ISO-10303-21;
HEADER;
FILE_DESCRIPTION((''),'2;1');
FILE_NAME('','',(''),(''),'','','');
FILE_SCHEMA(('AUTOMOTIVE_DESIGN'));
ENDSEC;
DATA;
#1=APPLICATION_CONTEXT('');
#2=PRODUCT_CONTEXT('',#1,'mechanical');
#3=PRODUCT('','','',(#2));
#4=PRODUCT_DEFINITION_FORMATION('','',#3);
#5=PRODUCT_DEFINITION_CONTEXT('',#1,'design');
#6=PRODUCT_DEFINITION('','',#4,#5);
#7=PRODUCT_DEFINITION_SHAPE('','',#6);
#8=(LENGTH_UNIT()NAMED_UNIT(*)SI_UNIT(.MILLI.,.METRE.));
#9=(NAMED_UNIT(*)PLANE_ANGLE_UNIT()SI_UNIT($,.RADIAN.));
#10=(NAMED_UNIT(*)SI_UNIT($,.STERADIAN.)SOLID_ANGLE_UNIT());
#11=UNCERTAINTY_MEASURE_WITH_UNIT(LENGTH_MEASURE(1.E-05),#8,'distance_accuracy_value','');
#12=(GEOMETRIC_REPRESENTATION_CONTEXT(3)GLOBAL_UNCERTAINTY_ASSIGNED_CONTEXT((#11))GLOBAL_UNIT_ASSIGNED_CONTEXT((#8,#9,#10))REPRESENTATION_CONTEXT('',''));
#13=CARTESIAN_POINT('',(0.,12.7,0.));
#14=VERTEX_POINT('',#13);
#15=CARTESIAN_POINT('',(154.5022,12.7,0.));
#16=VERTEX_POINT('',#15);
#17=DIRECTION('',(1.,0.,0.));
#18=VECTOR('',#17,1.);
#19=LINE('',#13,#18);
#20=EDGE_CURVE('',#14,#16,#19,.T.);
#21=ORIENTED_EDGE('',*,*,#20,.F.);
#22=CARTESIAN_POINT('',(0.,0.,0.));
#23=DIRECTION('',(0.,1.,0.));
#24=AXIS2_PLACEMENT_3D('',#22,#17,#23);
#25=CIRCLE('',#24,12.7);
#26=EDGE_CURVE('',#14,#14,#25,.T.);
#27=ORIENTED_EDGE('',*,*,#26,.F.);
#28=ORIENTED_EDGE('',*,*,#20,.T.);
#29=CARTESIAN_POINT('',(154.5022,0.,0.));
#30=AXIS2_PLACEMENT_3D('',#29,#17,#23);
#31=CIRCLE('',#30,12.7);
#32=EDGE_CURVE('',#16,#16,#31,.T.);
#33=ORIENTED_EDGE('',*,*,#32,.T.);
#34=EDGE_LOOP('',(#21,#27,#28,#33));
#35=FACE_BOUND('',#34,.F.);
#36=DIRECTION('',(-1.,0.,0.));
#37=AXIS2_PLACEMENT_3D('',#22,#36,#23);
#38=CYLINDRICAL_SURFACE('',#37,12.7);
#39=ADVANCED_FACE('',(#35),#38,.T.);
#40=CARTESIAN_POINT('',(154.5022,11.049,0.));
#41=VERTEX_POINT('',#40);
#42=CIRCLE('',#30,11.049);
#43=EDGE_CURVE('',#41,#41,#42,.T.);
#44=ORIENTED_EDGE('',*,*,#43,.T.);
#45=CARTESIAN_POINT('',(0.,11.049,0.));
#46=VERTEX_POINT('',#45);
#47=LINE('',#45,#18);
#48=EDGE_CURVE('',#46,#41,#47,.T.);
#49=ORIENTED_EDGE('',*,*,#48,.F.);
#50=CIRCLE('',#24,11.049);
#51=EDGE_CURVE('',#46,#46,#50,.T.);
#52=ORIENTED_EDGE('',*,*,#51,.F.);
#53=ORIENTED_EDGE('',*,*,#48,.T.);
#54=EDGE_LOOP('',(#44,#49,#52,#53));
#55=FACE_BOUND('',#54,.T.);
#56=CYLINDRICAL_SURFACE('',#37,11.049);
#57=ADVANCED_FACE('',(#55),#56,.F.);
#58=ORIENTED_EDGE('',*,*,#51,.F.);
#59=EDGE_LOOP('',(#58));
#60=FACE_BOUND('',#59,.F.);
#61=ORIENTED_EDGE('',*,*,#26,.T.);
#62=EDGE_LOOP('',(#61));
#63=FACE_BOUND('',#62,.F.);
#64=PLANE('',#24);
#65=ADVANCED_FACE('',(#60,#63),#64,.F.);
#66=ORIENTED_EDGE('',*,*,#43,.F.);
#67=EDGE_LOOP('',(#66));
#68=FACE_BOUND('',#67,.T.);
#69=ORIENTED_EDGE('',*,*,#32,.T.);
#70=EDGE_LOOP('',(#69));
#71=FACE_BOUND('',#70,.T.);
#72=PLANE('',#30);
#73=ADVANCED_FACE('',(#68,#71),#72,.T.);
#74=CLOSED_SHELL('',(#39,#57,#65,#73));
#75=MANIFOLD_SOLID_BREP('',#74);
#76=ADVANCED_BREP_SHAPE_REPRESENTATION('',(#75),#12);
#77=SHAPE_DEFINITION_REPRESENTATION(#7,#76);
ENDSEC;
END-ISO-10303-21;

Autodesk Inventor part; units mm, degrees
ref_plane "XZ Plane" through (0, 0, 0) normal (0, 1, 0) x (-1, 0, 0)
ref_plane "Start Plane" through (0, 0, 0) normal (1, 0, 0) x (0, 1, 0)
ref_plane "End Plane" through (154.5022, 0, 0) normal (1, 0, 0) x (0, 1, 0)
sketch "Sketch" plane through (0, 0, 0) normal (1, 0, 0) x (0, 1, 0)
  circle A0 centre (0, 0) radius 12.7
  circle A1 centre (0, 0) radius 11.049
  dimension "d0" = 25.4
  dimension "d1" = 1.651
extrude "Body" add sketch "Sketch" along normal up to surface (154.5022 mm away) from surface at 0
sketch "Sketch2" plane through (0, 0, 0) normal (1, 0, 0) x (0, 1, 0)
  line L0 (0, 0) -> (10, 0)
ref_plane "Work Plane3" through (0, 0, 0) normal (0, 0, -1) x (0, 1, 0)
sketch "Sketch3" plane through (0, 0, 0) normal (0, 0, -1) x (0, 1, 0)
  line L0 (-2, 0) -> (12, 0)
  line L1 (-2, 154.5022) -> (12, 154.5022)
  dimension "d9" = 154.5022
equation "\"G_OFFSET_START\" = 0"
equation "\"G_OFFSET_END\" = 0"
equation "\"d5\" = d2 + G_OFFSET_END"
equation "\"G_L\" = d9"
equation "\"d2\" = 154.502168"
properties part number "4130_1x0.065" material "Steel, Alloy"
